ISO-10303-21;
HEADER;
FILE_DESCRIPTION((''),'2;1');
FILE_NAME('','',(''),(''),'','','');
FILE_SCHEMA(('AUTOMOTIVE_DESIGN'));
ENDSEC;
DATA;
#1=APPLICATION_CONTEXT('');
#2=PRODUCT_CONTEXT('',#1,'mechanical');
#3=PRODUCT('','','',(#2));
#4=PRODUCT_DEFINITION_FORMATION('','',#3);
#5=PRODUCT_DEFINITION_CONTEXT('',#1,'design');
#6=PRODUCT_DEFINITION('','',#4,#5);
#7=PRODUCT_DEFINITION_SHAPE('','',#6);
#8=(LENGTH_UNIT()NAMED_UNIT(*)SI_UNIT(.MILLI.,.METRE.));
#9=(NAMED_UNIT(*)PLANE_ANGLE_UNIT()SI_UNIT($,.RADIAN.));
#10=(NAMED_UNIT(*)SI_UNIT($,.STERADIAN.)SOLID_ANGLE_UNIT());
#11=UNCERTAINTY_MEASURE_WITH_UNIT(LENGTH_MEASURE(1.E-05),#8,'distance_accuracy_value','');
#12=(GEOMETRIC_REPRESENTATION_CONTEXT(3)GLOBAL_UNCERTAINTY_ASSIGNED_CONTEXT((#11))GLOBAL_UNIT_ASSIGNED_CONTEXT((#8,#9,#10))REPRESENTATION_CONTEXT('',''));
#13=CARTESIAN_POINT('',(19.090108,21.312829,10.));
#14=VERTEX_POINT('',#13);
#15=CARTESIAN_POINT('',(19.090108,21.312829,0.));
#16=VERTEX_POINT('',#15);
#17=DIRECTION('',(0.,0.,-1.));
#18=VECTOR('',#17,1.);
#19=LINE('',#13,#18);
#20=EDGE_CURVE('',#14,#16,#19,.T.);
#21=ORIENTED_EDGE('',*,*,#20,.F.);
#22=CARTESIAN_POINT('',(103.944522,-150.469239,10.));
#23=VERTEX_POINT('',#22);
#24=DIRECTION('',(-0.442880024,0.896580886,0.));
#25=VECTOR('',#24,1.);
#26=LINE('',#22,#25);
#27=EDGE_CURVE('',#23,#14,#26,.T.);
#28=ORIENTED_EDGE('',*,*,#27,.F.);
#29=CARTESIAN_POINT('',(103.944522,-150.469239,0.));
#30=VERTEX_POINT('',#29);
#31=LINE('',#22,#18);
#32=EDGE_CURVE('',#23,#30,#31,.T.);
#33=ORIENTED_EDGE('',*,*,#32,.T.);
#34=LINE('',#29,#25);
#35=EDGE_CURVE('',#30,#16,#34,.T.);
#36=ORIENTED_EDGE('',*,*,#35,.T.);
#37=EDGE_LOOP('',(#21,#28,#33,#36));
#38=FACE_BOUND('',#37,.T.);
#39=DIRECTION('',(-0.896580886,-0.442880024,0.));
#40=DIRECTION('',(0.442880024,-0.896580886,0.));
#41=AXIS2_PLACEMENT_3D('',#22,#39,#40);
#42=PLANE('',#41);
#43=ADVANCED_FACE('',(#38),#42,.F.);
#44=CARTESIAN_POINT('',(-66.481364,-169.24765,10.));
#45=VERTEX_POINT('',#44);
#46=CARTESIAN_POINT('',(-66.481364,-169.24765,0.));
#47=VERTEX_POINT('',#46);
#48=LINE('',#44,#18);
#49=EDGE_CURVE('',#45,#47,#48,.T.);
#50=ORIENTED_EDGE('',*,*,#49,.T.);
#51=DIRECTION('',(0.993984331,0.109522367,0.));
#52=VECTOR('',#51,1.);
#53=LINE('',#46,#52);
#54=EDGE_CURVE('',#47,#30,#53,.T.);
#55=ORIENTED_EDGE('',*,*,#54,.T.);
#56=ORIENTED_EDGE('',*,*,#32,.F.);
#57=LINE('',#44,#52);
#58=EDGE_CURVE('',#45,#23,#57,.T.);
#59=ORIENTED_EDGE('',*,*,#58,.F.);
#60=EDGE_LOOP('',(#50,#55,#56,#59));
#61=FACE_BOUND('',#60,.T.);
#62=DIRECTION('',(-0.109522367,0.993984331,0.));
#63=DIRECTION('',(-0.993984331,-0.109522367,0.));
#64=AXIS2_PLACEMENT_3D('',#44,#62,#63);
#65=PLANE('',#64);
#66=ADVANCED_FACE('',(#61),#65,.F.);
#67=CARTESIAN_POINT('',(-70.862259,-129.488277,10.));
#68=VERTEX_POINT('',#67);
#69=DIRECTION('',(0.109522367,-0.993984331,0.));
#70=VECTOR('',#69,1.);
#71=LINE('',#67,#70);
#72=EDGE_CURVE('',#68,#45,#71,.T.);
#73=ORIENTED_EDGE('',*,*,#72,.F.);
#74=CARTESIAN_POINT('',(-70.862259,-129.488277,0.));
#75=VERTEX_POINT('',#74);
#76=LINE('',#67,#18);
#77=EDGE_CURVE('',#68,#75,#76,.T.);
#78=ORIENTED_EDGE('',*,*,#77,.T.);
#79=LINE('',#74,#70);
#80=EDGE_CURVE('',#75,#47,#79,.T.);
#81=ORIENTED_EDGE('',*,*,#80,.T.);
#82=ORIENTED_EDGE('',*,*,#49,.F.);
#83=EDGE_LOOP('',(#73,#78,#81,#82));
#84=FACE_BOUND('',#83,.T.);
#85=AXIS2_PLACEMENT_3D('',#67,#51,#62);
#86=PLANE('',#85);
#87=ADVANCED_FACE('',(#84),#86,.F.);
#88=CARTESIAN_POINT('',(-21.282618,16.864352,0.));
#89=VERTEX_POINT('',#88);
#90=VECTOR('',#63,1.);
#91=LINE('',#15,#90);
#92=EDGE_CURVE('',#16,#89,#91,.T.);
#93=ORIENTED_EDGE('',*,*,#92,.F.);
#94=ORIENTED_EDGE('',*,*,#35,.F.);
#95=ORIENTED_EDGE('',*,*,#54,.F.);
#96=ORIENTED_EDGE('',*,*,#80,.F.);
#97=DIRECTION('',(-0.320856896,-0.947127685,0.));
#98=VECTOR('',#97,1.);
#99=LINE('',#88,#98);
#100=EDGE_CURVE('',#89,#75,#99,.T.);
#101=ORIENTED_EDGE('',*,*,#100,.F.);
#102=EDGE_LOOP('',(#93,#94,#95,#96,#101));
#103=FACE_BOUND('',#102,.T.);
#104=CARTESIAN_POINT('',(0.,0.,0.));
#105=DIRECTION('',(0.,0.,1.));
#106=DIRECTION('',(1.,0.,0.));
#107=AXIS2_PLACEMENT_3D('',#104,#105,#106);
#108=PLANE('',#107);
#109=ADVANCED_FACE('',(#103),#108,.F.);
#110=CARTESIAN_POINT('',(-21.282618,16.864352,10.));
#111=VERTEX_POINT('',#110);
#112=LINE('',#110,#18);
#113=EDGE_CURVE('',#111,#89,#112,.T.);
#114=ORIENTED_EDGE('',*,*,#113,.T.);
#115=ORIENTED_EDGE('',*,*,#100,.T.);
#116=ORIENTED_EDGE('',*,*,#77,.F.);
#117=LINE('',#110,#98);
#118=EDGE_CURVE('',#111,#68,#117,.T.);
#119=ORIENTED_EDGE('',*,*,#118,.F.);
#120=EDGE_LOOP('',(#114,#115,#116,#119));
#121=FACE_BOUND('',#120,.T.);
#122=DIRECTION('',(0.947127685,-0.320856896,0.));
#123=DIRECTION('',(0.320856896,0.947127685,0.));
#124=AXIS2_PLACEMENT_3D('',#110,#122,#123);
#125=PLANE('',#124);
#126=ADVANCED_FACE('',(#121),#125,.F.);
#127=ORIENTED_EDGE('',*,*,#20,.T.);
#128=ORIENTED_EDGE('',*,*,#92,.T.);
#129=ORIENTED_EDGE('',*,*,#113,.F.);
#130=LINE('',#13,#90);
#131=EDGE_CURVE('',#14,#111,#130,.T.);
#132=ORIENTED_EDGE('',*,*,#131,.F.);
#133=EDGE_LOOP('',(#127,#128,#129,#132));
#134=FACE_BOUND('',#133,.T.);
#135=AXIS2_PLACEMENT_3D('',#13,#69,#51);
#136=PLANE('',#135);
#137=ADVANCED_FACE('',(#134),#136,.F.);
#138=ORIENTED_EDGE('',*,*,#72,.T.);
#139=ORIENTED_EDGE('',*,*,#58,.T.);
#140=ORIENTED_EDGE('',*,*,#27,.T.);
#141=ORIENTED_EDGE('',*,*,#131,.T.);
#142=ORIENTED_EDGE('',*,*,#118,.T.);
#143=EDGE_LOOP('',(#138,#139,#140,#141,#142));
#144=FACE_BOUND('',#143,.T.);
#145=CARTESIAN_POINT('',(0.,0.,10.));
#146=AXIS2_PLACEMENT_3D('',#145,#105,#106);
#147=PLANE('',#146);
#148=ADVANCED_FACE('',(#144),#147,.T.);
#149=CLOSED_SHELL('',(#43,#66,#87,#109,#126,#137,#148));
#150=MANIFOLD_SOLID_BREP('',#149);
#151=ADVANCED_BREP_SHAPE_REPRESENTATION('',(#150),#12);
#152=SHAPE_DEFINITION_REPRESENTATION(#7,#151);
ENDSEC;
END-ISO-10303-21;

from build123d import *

# Parameters (mm, degrees)
BOSS_EXTRU_1_DEPTH = 10


with BuildPart() as part:
    # Esquisse1 → Boss.-Extru.1 (new body)
    with BuildSketch(Plane.XY):
        Polygon((-66.481363948, -169.24764993), (103.944522313, -150.469238714), (19.09010759, 21.312829114), (-21.282618086, 16.864352059), (-70.862258641, -129.488276674), align=None)
    extrude(amount=BOSS_EXTRU_1_DEPTH)


solid = part.part
